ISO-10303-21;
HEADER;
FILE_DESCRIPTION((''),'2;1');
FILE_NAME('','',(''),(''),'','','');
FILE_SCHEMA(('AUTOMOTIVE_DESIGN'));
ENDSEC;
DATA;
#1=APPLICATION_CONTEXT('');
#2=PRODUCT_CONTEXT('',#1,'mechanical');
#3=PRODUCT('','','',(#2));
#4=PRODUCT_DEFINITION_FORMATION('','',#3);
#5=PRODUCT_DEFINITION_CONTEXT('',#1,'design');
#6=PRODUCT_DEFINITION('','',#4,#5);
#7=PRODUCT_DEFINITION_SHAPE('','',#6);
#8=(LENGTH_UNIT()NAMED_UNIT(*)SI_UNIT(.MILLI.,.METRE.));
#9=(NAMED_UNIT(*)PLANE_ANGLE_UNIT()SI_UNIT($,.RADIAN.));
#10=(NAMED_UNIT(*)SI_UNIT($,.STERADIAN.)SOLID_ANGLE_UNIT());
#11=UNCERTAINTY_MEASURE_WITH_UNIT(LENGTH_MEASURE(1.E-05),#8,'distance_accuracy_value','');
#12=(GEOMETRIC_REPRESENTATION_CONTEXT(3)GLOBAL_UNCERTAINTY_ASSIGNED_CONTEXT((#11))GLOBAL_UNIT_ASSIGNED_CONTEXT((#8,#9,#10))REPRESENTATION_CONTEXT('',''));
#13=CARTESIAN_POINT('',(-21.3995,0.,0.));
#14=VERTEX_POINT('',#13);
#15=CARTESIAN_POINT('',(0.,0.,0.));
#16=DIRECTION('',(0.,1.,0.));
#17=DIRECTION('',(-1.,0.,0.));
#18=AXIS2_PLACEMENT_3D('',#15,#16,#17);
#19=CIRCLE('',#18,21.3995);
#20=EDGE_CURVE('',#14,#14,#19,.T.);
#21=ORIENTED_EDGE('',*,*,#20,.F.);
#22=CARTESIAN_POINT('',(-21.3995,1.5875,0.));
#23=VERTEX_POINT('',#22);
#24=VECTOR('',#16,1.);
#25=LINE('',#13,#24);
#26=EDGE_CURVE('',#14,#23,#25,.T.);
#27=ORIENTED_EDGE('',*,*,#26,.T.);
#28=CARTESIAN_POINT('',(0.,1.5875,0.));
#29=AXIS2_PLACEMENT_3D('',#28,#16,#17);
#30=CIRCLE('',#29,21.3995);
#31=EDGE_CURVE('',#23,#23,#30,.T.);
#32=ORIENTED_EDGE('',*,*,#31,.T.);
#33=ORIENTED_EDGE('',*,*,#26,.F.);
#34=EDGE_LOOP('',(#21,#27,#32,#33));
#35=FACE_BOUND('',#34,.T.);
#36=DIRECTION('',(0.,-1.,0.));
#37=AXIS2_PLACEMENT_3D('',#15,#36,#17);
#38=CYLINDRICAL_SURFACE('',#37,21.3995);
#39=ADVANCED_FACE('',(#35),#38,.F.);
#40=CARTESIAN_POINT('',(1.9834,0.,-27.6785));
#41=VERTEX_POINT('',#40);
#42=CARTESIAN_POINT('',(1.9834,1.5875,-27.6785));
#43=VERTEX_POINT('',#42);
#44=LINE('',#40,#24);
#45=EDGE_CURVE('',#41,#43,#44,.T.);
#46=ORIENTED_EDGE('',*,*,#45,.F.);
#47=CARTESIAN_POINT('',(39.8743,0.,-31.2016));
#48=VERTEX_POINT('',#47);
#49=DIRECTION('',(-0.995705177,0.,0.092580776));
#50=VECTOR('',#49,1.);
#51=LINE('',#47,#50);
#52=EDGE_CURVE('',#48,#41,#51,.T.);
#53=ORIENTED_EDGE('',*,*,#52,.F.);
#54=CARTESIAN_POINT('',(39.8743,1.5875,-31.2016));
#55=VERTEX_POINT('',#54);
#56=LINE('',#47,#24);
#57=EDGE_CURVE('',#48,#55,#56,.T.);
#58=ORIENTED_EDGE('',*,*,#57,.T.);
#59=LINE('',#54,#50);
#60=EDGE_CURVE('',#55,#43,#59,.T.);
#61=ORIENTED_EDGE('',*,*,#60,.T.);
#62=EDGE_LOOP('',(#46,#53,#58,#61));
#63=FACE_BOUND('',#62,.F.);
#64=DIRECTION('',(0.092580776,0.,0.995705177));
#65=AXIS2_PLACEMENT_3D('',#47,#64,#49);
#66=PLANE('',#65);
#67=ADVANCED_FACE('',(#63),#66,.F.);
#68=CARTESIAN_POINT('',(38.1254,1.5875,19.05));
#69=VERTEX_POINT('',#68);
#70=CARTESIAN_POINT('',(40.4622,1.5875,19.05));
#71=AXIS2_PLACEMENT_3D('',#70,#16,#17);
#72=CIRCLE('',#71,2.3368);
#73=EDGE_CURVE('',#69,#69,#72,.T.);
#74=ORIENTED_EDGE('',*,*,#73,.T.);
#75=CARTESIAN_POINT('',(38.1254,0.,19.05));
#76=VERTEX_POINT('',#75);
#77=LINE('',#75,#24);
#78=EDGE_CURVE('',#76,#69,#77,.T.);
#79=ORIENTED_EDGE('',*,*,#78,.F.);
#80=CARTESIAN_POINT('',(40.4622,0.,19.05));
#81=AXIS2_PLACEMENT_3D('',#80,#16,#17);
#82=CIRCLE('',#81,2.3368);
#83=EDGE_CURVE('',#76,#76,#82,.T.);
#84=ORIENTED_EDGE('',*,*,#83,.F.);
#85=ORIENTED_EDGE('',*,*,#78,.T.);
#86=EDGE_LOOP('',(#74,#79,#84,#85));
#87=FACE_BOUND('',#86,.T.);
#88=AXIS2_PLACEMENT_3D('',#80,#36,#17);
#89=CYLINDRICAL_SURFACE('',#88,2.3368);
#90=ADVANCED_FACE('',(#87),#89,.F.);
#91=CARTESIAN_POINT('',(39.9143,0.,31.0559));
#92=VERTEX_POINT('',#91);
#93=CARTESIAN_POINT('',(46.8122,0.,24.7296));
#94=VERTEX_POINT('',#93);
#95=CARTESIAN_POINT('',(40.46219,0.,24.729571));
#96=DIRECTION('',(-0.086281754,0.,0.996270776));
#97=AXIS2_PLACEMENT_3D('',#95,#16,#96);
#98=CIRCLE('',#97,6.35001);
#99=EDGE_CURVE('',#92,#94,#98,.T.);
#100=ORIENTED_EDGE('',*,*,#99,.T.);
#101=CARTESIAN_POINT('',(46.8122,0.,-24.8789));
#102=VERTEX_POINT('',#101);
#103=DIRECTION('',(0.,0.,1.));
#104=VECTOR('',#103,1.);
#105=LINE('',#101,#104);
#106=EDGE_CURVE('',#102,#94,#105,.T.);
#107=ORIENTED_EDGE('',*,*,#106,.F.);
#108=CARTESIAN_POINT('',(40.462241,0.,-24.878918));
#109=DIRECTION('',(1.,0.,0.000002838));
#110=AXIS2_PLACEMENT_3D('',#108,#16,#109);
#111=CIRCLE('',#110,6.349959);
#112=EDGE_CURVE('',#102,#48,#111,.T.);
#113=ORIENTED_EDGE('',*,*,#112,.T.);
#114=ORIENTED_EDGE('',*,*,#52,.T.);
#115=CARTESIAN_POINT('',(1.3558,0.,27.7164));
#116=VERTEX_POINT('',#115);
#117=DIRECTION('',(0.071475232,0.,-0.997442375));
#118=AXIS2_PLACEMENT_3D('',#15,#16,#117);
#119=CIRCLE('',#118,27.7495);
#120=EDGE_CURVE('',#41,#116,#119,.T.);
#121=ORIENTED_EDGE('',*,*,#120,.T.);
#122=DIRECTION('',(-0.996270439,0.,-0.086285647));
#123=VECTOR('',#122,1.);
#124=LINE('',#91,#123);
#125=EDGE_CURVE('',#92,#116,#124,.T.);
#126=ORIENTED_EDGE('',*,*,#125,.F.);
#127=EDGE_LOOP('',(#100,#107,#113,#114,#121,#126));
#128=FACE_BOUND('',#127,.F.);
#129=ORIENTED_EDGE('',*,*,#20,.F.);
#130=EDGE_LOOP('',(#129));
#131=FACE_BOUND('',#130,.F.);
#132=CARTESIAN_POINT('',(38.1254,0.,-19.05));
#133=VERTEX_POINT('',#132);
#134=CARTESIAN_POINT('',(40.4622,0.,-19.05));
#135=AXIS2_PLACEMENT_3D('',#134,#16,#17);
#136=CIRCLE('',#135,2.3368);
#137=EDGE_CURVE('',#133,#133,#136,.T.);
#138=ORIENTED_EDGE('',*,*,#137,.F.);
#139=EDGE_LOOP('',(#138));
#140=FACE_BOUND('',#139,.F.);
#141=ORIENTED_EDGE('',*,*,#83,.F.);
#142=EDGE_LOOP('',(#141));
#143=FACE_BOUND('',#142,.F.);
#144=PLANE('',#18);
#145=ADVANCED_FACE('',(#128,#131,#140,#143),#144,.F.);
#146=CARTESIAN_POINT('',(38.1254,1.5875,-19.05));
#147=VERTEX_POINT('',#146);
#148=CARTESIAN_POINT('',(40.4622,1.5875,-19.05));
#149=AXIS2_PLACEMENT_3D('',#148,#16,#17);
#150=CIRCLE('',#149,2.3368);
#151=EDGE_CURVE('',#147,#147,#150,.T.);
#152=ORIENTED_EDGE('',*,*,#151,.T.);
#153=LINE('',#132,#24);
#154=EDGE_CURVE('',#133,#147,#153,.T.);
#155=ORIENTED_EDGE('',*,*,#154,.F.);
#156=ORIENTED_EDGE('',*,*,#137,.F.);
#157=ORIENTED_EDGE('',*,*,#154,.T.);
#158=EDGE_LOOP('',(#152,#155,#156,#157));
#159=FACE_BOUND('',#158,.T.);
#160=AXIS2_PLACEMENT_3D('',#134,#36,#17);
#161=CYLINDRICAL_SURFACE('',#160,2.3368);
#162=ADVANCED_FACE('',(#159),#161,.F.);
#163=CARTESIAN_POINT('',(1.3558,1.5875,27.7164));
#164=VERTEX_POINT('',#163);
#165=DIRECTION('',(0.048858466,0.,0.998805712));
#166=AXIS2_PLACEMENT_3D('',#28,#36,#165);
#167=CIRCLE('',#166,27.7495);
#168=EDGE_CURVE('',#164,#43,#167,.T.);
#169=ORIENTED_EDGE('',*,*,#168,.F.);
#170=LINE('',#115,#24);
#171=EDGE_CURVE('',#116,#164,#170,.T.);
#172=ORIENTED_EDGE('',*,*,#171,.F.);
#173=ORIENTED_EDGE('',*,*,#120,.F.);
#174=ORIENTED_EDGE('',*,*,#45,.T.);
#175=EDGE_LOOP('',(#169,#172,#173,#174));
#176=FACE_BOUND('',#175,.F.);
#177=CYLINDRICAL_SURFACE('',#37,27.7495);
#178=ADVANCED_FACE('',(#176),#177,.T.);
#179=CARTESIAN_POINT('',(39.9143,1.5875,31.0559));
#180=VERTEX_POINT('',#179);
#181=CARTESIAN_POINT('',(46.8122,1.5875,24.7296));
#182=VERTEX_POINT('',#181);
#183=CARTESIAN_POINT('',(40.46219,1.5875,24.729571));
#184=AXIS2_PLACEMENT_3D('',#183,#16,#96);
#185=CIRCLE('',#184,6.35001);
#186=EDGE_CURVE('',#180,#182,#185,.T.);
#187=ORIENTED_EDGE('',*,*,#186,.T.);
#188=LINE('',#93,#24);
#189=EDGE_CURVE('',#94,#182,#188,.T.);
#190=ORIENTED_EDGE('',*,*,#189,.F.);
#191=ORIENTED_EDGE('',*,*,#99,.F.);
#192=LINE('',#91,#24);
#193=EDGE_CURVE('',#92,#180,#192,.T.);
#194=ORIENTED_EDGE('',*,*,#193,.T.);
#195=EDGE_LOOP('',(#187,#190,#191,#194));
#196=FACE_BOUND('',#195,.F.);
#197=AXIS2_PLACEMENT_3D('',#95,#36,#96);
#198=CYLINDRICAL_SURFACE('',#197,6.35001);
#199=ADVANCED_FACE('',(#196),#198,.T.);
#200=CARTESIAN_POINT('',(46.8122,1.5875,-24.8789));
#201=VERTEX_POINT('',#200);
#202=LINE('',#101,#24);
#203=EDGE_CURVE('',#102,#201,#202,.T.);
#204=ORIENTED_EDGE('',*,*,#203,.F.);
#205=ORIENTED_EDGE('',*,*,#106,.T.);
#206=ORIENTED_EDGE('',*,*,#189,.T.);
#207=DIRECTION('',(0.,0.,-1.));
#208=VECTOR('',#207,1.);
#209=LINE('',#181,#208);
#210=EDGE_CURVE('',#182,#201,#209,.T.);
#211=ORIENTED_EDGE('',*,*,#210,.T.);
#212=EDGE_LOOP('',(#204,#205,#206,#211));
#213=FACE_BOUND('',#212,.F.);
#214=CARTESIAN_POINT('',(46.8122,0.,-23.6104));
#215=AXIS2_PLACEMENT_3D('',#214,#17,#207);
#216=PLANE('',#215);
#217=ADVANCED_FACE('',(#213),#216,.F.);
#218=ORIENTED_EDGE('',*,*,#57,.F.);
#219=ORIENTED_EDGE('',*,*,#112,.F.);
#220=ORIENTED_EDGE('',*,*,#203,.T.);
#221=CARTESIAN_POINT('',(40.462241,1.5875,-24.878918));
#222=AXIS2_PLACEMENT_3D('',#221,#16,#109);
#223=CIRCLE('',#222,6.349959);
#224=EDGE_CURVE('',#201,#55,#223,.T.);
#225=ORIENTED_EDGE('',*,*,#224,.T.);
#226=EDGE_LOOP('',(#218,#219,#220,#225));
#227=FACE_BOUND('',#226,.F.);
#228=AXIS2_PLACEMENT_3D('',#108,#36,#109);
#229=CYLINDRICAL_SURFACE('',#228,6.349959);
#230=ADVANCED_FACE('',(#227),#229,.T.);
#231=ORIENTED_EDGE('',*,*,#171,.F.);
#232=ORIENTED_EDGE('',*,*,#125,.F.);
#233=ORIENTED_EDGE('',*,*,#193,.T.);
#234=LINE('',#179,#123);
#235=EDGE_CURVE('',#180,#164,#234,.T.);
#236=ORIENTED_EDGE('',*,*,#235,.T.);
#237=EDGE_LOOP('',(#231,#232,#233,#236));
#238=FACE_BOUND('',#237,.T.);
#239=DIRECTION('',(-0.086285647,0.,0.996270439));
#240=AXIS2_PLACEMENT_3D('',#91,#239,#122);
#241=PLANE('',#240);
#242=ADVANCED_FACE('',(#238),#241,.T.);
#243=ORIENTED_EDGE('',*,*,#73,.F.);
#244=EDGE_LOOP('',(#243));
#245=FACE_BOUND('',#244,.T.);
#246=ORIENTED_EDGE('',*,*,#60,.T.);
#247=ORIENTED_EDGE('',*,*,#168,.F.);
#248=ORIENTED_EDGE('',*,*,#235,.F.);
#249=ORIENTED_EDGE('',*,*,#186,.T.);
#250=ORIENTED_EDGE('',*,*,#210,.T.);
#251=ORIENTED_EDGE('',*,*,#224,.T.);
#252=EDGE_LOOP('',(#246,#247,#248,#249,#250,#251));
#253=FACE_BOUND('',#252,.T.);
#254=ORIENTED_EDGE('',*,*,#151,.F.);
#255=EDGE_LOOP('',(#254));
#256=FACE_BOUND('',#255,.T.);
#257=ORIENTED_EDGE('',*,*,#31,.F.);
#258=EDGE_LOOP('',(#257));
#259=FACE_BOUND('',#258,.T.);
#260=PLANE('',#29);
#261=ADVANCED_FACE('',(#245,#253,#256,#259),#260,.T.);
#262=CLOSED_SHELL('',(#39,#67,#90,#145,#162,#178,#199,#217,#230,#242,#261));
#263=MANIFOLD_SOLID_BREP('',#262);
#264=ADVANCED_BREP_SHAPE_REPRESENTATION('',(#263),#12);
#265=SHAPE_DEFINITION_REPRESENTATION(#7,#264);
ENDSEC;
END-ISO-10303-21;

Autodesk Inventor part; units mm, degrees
ref_plane "YZ Plane" through (0, 0, 0) normal (1, 0, 0) x (0, 1, 0)
ref_plane "XZ Plane" through (0, 0, 0) normal (0, 1, 0) x (-1, 0, 0)
ref_plane "XY Plane" through (0, 0, 0) normal (0, 0, 1) x (1, 0, 0)
sketch "Sketch1" plane through (0, 0, 0) normal (0, 1, 0) x (-1, 0, 0)
  circle A0 centre (0, 0) radius 21.3995
  circle A1 centre (0, 0) radius 27.7495
  line L0 (-46.8122, -23.6104) -> (-46.8122, 23.6104)
  circle A2 centre (-40.4622, -19.05) radius 2.3368
  circle A3 centre (-40.4622, 19.05) radius 2.3368
  line L1 (-40.4622, 19.05) -> (-40.4622, -19.05) construction
  line L2 (-39.9143, 31.0559) -> (-1.3558, 27.7164)
  line L3 (-39.8743, -31.2016) -> (-1.9834, -27.6785)
  line L4 (-46.8122, 24.7296) -> (-46.8122, 23.6104)
  line L5 (-46.8122, -23.6104) -> (-46.8122, -24.8789)
  arc A4 (-39.9143, 31.0559) -> (-46.8122, 24.7296) centre (-40.4622, 24.7296) ccw
  arc A5 (-46.8122, -24.8789) -> (-39.8743, -31.2016) centre (-40.4622, -24.8789) ccw
  point P0 (-46.8122, -31.8467)
  point P1 (-46.8122, 31.6533)
  point P2 (-46.8122, 0)
  point P3 (1.3558, 27.7164)
  point P4 (1.9834, -27.6785)
  point P5 (-40.4622, 0)
  dimension "d0" = 42.799
  dimension "d1" = 6.35
  dimension "d2" = 63.5
  dimension "d4" = 0
  dimension "d8" = 4.6736
  dimension "d9" = 4.6736
  dimension "d10" = 38.1
  dimension "d11" = 6.35
  dimension "d12" = 0
  dimension "d17" = 6.35
  dimension "d18" = 6.35
  dimension "d19" = 40.4622
  dimension "d20" = 10.262
  dimension "d21" = 84.688
  dimension "d22" = 27.376
  dimension "d23" = 0.3673
  dimension "d24" = 54.8478
  dimension "d25" = 55.219
extrude "Plate1" add sketch "Sketch1" along normal blind 1.5875
equation "\"d13\" = Thickness"
equation "\"BendRadius\" = Thickness"
equation "\"BendReliefWidth\" = Thickness"
equation "\"BendReliefDepth\" = 0.5 * Thickness"
equation "\"CornerReliefSize\" = 4 * Thickness"
equation "\"MinimumRemnant\" = 2 * Thickness"
equation "\"TransitionRadius\" = BendRadius"
equation "\"JacobiRadiusSize\" = BendRadius"
equation "\"GapSize\" = Thickness"
equation "\"Thickness\" = 1.5875"
properties part number "tankHolder"
